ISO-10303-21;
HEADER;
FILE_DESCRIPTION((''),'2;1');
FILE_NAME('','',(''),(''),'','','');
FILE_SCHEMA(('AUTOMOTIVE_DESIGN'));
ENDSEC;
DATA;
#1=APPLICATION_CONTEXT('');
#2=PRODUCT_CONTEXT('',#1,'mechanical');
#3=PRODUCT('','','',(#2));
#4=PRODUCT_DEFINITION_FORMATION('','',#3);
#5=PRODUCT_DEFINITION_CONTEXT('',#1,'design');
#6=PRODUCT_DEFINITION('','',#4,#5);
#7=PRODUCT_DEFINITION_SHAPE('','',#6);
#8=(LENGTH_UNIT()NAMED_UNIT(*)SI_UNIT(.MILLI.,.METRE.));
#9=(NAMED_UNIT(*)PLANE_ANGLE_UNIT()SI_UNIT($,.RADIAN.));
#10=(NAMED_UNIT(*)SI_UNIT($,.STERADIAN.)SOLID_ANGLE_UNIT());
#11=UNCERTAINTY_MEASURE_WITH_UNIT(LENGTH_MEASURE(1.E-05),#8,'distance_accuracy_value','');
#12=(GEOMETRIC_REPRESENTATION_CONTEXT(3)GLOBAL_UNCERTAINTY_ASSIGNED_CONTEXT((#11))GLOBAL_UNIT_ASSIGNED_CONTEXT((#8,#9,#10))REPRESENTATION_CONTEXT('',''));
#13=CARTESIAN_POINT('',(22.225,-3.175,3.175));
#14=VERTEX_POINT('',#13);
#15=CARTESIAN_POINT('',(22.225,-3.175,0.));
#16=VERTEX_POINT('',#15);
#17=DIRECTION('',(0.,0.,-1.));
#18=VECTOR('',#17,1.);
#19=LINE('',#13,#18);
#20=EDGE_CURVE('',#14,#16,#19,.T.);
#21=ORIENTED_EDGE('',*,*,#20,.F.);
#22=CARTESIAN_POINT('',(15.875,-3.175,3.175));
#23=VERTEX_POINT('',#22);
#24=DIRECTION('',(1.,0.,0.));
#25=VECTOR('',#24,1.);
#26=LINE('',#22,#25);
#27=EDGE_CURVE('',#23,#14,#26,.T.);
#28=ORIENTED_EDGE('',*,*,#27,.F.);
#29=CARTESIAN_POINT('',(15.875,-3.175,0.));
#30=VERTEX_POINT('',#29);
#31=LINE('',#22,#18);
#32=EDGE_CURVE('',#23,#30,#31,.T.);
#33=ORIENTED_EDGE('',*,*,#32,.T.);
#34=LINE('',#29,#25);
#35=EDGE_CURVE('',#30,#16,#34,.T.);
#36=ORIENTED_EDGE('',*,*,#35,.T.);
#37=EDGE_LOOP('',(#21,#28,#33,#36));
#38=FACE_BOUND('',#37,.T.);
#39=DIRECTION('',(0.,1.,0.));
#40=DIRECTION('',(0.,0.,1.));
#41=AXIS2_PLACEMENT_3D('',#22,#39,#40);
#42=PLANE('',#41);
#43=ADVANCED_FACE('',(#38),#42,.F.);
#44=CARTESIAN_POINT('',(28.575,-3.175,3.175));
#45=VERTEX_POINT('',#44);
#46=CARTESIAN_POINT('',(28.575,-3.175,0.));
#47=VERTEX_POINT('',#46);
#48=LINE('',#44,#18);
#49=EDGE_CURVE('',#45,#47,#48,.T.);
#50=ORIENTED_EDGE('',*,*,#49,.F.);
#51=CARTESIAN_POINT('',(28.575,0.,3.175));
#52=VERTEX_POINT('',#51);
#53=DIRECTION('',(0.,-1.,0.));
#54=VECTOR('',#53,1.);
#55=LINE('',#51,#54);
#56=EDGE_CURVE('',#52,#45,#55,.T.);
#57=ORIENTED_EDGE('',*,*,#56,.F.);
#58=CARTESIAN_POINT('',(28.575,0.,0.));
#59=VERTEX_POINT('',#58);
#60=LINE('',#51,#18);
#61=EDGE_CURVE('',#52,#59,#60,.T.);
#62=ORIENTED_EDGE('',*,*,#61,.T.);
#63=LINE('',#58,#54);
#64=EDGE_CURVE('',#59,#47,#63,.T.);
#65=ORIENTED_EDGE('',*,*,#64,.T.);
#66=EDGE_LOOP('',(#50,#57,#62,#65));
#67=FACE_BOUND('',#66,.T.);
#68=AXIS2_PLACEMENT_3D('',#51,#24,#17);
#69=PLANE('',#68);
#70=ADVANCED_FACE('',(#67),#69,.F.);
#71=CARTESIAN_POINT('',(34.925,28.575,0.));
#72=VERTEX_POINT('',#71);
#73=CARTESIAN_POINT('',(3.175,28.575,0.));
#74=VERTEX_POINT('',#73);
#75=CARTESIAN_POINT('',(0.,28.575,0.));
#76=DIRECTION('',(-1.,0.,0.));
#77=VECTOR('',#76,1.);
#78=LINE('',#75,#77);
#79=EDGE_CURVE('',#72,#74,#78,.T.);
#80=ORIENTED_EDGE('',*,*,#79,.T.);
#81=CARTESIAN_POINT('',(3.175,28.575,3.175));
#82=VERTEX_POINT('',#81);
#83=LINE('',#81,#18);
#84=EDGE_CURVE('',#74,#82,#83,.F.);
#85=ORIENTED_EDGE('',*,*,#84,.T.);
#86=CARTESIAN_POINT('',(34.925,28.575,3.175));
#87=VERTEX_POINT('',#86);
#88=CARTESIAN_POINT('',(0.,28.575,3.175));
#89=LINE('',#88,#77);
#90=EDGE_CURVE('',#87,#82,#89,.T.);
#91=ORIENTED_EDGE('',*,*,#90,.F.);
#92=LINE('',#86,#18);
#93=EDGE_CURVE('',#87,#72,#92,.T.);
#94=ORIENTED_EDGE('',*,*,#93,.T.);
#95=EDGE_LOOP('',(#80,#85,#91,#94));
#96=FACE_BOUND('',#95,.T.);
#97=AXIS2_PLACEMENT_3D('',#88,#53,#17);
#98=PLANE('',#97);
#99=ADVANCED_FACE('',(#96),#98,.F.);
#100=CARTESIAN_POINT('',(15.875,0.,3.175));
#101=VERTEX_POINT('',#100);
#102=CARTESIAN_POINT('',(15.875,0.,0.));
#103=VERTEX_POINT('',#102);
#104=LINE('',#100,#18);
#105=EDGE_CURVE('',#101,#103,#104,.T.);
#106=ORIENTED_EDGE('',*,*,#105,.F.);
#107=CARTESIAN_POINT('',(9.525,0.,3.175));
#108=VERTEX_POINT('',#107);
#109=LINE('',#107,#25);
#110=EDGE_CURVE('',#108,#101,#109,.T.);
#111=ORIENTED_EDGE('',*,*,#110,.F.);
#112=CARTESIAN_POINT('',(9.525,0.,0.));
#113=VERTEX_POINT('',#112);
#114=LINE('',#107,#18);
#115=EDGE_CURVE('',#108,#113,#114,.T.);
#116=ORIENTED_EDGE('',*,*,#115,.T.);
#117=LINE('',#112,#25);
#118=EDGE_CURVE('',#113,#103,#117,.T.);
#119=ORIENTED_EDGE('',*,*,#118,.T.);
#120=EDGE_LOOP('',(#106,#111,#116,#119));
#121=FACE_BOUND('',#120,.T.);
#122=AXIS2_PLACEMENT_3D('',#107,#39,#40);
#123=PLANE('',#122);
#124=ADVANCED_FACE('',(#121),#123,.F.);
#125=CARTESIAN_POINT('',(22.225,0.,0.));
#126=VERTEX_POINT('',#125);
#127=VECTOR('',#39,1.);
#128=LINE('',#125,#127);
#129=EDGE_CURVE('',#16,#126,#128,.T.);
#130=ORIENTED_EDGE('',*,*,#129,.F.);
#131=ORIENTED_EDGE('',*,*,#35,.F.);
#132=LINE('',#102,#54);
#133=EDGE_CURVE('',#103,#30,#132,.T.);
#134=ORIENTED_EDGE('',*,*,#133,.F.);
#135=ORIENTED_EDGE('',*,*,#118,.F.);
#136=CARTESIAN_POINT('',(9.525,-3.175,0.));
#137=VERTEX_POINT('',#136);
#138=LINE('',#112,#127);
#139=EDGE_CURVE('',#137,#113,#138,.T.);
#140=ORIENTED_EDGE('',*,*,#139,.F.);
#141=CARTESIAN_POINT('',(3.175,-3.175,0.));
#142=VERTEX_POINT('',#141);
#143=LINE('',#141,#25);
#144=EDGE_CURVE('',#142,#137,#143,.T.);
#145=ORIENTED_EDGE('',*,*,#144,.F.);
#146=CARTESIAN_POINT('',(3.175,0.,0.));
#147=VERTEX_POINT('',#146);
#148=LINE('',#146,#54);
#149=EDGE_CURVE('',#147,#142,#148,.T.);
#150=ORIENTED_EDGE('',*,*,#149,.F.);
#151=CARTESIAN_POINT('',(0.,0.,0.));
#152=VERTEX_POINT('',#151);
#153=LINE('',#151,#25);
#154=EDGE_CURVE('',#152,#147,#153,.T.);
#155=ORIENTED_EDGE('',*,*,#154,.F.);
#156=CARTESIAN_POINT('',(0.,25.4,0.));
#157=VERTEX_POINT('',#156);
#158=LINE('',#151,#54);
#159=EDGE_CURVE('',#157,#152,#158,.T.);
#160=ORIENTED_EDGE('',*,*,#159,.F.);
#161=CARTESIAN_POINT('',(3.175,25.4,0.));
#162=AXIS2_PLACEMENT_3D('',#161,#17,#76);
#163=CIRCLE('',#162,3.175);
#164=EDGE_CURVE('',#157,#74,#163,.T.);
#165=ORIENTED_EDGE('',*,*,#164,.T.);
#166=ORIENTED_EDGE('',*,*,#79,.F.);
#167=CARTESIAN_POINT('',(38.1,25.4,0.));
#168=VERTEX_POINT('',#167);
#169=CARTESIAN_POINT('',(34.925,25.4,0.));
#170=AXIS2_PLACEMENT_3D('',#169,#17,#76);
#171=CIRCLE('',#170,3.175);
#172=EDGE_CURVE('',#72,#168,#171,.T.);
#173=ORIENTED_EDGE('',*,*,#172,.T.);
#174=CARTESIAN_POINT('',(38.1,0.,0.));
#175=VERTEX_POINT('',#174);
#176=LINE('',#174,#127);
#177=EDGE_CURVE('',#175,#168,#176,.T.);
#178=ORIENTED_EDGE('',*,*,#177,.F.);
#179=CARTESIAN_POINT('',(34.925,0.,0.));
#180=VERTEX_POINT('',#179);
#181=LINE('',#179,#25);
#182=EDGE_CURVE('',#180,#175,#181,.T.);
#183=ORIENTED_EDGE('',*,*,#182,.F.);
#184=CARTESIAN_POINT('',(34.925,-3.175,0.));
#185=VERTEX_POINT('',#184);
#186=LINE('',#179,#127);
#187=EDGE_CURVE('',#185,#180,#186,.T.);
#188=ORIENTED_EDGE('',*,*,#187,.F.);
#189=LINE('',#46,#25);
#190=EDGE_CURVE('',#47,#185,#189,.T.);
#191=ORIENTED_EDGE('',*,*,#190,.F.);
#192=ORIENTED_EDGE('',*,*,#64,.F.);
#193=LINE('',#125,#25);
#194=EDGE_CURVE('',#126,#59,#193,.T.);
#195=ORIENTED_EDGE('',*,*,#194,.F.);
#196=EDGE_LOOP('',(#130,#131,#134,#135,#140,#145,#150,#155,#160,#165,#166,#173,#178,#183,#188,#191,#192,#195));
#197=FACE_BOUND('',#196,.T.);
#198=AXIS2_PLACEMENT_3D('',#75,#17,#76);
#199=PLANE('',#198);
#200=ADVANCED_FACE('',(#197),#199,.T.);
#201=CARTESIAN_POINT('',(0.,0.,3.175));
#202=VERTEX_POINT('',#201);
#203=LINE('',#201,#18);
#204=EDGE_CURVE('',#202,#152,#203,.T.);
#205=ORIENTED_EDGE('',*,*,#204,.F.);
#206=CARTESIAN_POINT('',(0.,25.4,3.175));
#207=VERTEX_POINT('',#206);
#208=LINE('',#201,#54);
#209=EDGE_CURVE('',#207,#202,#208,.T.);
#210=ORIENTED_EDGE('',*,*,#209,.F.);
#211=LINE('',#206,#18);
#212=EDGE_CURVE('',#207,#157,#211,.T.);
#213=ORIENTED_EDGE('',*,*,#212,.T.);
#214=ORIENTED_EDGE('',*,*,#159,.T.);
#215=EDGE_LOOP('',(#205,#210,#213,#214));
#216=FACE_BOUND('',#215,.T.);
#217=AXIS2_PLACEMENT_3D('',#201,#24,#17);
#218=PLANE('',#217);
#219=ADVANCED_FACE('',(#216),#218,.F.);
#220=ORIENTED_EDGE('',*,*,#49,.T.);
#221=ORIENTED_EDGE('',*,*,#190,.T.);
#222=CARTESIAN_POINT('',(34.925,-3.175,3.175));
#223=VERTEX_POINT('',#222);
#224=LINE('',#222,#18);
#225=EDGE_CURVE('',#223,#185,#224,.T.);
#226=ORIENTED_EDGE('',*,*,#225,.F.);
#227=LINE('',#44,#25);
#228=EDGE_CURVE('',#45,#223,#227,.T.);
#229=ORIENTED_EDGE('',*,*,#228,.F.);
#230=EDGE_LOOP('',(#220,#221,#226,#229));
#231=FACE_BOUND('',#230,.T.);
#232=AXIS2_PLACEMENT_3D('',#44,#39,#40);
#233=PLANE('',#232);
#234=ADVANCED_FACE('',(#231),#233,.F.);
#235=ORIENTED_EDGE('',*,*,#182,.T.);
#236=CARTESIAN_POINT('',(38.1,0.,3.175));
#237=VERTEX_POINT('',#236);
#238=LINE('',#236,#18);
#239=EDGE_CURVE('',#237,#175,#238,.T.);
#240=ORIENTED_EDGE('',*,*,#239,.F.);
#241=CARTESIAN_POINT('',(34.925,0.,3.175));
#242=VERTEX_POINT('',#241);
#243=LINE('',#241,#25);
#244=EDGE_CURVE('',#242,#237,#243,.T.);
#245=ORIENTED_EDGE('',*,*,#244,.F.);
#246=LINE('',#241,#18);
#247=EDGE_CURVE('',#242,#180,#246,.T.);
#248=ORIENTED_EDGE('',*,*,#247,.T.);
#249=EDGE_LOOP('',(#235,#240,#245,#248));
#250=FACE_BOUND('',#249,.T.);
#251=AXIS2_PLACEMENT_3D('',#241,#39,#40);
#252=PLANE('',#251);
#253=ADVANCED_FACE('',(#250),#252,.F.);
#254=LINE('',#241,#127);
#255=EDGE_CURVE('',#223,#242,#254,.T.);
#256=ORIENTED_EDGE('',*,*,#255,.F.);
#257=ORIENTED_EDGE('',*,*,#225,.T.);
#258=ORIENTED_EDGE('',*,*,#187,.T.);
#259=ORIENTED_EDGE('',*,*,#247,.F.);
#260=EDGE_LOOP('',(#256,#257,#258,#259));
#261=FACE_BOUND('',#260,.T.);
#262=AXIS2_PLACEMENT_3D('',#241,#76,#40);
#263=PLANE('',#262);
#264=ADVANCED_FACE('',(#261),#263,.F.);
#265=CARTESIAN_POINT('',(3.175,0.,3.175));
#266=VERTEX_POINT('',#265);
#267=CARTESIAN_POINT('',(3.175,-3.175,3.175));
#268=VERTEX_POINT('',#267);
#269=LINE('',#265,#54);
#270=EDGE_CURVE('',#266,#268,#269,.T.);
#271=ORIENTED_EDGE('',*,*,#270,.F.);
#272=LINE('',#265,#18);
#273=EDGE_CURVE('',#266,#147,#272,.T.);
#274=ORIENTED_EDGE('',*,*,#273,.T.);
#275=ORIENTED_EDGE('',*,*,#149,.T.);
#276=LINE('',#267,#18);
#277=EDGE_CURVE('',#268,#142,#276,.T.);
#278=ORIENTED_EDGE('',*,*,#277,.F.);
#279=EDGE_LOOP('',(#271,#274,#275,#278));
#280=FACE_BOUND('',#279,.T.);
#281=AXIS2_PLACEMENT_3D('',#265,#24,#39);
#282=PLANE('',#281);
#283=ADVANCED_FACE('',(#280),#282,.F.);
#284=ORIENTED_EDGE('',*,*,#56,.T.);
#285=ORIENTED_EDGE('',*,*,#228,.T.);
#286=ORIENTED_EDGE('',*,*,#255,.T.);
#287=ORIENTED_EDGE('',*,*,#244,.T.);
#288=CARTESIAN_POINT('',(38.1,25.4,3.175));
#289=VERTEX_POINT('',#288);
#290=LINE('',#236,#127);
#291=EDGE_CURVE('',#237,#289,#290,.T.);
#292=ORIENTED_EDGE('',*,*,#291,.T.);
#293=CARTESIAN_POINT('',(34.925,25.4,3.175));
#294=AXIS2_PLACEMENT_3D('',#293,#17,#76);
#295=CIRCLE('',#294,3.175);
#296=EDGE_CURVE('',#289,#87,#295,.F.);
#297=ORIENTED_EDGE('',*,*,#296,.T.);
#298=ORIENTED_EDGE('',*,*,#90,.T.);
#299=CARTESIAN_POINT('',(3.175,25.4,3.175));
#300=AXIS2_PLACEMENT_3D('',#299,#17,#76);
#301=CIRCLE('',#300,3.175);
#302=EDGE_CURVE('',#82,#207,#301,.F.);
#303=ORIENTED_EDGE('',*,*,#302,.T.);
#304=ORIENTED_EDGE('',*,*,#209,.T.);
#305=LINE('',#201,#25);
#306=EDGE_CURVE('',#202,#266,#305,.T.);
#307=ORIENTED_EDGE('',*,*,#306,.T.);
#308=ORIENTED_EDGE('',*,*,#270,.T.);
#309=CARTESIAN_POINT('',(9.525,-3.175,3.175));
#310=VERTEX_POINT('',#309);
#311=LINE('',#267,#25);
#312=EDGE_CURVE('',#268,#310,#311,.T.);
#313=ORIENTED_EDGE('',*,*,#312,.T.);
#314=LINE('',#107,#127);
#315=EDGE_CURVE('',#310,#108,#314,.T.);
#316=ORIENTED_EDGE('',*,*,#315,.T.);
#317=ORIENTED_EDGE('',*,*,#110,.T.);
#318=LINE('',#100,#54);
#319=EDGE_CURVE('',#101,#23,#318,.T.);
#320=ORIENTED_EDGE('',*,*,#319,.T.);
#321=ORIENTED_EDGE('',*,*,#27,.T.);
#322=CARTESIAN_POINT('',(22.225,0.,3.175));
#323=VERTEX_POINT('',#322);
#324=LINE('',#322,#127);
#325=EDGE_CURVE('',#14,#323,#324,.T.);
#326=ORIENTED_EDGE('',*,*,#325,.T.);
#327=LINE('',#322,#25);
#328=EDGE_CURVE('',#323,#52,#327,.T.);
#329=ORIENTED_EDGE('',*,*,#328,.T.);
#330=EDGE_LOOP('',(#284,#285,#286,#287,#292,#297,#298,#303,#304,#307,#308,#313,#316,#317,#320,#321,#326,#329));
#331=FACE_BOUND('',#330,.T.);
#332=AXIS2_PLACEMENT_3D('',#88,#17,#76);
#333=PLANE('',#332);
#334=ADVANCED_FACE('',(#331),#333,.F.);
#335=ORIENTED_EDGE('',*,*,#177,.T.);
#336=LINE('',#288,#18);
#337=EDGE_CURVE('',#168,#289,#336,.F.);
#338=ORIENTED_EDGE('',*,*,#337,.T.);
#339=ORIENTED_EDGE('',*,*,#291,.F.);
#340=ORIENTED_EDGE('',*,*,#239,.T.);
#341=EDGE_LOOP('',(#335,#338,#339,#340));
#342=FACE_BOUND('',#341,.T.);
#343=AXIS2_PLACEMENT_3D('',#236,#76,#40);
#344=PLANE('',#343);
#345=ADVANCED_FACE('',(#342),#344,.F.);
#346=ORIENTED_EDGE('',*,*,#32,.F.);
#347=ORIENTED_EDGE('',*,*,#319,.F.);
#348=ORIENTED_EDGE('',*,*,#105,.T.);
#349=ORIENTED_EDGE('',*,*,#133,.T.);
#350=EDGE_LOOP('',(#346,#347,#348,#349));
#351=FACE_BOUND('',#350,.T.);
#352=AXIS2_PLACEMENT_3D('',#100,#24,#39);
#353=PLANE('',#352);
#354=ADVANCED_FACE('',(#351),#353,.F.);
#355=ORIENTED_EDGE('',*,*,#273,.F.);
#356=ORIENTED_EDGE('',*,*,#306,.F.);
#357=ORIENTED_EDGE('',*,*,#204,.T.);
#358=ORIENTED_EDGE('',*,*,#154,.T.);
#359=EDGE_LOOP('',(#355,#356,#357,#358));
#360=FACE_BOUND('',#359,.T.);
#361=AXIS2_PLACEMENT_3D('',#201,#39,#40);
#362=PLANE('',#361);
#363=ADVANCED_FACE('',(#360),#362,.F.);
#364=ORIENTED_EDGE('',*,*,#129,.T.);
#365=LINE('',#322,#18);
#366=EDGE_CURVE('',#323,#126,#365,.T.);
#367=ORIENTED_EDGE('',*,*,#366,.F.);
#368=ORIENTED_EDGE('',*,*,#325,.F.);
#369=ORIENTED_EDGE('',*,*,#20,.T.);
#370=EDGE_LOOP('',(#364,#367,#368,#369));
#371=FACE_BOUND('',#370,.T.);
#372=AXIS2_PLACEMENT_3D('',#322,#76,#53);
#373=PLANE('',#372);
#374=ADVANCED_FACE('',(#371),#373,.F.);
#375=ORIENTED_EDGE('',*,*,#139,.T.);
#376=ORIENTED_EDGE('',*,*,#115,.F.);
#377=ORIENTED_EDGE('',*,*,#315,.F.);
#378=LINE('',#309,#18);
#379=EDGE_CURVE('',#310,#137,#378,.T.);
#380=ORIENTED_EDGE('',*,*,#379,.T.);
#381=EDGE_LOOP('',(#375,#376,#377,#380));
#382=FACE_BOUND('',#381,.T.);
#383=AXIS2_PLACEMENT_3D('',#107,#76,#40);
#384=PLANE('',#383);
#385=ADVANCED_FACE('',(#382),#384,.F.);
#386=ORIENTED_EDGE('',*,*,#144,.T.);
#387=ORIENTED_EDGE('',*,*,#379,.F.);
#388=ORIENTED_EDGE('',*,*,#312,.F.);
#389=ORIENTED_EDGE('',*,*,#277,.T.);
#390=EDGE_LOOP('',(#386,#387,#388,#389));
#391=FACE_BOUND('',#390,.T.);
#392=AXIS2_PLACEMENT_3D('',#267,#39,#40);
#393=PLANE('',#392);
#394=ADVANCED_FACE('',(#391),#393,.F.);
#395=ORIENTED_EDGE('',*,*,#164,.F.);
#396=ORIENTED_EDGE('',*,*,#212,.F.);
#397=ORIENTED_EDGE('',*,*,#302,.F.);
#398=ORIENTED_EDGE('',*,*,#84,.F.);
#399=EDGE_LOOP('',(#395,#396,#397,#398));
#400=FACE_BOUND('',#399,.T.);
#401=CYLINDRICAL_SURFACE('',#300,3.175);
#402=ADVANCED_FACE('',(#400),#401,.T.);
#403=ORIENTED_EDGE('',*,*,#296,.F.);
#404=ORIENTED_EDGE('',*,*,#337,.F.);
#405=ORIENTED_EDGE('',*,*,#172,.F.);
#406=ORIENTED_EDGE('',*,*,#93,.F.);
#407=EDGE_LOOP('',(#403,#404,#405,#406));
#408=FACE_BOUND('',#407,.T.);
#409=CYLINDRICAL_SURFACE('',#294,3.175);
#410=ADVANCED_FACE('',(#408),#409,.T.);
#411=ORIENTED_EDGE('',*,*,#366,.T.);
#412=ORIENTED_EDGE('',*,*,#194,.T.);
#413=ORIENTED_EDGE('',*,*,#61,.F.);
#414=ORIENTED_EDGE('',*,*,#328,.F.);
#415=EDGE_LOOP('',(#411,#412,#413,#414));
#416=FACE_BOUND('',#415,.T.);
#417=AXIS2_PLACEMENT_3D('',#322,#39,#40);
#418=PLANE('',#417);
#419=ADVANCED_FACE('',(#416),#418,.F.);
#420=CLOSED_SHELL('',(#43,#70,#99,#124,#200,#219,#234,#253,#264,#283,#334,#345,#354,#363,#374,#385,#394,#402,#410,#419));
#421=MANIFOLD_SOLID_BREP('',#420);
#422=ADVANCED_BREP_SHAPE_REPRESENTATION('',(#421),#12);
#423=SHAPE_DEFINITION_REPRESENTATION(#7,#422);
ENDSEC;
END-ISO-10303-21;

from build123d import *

# Parameters (mm, degrees)
BOSS_EXTRUDE1_DEPTH = 3.175
FILLET1_R           = 3.175


with BuildPart() as part:
    # Sketch1 → Boss-Extrude1 (new body)
    with BuildSketch(Plane.XY):
        Polygon((9.525, 0), (15.875, 0), (15.875, -3.175), (22.225, -3.175), (22.225, 0), (28.575, 0), (28.575, -3.175), (34.925, -3.175), (34.925, 0), (38.1, 0), (38.1, 28.575), (0, 28.575), (0, 0), (3.175, 0), (3.175, -3.175), (9.525, -3.175), align=None)
    extrude(amount=BOSS_EXTRUDE1_DEPTH)

    # Fillet1
    fillet1_edges = [part.edges().sort_by_distance(p)[0] for p in [
        (0, 28.575, 1.5875),
        (38.1, 28.575, 1.5875),
    ]]
    fillet(fillet1_edges, radius=FILLET1_R)


solid = part.part
